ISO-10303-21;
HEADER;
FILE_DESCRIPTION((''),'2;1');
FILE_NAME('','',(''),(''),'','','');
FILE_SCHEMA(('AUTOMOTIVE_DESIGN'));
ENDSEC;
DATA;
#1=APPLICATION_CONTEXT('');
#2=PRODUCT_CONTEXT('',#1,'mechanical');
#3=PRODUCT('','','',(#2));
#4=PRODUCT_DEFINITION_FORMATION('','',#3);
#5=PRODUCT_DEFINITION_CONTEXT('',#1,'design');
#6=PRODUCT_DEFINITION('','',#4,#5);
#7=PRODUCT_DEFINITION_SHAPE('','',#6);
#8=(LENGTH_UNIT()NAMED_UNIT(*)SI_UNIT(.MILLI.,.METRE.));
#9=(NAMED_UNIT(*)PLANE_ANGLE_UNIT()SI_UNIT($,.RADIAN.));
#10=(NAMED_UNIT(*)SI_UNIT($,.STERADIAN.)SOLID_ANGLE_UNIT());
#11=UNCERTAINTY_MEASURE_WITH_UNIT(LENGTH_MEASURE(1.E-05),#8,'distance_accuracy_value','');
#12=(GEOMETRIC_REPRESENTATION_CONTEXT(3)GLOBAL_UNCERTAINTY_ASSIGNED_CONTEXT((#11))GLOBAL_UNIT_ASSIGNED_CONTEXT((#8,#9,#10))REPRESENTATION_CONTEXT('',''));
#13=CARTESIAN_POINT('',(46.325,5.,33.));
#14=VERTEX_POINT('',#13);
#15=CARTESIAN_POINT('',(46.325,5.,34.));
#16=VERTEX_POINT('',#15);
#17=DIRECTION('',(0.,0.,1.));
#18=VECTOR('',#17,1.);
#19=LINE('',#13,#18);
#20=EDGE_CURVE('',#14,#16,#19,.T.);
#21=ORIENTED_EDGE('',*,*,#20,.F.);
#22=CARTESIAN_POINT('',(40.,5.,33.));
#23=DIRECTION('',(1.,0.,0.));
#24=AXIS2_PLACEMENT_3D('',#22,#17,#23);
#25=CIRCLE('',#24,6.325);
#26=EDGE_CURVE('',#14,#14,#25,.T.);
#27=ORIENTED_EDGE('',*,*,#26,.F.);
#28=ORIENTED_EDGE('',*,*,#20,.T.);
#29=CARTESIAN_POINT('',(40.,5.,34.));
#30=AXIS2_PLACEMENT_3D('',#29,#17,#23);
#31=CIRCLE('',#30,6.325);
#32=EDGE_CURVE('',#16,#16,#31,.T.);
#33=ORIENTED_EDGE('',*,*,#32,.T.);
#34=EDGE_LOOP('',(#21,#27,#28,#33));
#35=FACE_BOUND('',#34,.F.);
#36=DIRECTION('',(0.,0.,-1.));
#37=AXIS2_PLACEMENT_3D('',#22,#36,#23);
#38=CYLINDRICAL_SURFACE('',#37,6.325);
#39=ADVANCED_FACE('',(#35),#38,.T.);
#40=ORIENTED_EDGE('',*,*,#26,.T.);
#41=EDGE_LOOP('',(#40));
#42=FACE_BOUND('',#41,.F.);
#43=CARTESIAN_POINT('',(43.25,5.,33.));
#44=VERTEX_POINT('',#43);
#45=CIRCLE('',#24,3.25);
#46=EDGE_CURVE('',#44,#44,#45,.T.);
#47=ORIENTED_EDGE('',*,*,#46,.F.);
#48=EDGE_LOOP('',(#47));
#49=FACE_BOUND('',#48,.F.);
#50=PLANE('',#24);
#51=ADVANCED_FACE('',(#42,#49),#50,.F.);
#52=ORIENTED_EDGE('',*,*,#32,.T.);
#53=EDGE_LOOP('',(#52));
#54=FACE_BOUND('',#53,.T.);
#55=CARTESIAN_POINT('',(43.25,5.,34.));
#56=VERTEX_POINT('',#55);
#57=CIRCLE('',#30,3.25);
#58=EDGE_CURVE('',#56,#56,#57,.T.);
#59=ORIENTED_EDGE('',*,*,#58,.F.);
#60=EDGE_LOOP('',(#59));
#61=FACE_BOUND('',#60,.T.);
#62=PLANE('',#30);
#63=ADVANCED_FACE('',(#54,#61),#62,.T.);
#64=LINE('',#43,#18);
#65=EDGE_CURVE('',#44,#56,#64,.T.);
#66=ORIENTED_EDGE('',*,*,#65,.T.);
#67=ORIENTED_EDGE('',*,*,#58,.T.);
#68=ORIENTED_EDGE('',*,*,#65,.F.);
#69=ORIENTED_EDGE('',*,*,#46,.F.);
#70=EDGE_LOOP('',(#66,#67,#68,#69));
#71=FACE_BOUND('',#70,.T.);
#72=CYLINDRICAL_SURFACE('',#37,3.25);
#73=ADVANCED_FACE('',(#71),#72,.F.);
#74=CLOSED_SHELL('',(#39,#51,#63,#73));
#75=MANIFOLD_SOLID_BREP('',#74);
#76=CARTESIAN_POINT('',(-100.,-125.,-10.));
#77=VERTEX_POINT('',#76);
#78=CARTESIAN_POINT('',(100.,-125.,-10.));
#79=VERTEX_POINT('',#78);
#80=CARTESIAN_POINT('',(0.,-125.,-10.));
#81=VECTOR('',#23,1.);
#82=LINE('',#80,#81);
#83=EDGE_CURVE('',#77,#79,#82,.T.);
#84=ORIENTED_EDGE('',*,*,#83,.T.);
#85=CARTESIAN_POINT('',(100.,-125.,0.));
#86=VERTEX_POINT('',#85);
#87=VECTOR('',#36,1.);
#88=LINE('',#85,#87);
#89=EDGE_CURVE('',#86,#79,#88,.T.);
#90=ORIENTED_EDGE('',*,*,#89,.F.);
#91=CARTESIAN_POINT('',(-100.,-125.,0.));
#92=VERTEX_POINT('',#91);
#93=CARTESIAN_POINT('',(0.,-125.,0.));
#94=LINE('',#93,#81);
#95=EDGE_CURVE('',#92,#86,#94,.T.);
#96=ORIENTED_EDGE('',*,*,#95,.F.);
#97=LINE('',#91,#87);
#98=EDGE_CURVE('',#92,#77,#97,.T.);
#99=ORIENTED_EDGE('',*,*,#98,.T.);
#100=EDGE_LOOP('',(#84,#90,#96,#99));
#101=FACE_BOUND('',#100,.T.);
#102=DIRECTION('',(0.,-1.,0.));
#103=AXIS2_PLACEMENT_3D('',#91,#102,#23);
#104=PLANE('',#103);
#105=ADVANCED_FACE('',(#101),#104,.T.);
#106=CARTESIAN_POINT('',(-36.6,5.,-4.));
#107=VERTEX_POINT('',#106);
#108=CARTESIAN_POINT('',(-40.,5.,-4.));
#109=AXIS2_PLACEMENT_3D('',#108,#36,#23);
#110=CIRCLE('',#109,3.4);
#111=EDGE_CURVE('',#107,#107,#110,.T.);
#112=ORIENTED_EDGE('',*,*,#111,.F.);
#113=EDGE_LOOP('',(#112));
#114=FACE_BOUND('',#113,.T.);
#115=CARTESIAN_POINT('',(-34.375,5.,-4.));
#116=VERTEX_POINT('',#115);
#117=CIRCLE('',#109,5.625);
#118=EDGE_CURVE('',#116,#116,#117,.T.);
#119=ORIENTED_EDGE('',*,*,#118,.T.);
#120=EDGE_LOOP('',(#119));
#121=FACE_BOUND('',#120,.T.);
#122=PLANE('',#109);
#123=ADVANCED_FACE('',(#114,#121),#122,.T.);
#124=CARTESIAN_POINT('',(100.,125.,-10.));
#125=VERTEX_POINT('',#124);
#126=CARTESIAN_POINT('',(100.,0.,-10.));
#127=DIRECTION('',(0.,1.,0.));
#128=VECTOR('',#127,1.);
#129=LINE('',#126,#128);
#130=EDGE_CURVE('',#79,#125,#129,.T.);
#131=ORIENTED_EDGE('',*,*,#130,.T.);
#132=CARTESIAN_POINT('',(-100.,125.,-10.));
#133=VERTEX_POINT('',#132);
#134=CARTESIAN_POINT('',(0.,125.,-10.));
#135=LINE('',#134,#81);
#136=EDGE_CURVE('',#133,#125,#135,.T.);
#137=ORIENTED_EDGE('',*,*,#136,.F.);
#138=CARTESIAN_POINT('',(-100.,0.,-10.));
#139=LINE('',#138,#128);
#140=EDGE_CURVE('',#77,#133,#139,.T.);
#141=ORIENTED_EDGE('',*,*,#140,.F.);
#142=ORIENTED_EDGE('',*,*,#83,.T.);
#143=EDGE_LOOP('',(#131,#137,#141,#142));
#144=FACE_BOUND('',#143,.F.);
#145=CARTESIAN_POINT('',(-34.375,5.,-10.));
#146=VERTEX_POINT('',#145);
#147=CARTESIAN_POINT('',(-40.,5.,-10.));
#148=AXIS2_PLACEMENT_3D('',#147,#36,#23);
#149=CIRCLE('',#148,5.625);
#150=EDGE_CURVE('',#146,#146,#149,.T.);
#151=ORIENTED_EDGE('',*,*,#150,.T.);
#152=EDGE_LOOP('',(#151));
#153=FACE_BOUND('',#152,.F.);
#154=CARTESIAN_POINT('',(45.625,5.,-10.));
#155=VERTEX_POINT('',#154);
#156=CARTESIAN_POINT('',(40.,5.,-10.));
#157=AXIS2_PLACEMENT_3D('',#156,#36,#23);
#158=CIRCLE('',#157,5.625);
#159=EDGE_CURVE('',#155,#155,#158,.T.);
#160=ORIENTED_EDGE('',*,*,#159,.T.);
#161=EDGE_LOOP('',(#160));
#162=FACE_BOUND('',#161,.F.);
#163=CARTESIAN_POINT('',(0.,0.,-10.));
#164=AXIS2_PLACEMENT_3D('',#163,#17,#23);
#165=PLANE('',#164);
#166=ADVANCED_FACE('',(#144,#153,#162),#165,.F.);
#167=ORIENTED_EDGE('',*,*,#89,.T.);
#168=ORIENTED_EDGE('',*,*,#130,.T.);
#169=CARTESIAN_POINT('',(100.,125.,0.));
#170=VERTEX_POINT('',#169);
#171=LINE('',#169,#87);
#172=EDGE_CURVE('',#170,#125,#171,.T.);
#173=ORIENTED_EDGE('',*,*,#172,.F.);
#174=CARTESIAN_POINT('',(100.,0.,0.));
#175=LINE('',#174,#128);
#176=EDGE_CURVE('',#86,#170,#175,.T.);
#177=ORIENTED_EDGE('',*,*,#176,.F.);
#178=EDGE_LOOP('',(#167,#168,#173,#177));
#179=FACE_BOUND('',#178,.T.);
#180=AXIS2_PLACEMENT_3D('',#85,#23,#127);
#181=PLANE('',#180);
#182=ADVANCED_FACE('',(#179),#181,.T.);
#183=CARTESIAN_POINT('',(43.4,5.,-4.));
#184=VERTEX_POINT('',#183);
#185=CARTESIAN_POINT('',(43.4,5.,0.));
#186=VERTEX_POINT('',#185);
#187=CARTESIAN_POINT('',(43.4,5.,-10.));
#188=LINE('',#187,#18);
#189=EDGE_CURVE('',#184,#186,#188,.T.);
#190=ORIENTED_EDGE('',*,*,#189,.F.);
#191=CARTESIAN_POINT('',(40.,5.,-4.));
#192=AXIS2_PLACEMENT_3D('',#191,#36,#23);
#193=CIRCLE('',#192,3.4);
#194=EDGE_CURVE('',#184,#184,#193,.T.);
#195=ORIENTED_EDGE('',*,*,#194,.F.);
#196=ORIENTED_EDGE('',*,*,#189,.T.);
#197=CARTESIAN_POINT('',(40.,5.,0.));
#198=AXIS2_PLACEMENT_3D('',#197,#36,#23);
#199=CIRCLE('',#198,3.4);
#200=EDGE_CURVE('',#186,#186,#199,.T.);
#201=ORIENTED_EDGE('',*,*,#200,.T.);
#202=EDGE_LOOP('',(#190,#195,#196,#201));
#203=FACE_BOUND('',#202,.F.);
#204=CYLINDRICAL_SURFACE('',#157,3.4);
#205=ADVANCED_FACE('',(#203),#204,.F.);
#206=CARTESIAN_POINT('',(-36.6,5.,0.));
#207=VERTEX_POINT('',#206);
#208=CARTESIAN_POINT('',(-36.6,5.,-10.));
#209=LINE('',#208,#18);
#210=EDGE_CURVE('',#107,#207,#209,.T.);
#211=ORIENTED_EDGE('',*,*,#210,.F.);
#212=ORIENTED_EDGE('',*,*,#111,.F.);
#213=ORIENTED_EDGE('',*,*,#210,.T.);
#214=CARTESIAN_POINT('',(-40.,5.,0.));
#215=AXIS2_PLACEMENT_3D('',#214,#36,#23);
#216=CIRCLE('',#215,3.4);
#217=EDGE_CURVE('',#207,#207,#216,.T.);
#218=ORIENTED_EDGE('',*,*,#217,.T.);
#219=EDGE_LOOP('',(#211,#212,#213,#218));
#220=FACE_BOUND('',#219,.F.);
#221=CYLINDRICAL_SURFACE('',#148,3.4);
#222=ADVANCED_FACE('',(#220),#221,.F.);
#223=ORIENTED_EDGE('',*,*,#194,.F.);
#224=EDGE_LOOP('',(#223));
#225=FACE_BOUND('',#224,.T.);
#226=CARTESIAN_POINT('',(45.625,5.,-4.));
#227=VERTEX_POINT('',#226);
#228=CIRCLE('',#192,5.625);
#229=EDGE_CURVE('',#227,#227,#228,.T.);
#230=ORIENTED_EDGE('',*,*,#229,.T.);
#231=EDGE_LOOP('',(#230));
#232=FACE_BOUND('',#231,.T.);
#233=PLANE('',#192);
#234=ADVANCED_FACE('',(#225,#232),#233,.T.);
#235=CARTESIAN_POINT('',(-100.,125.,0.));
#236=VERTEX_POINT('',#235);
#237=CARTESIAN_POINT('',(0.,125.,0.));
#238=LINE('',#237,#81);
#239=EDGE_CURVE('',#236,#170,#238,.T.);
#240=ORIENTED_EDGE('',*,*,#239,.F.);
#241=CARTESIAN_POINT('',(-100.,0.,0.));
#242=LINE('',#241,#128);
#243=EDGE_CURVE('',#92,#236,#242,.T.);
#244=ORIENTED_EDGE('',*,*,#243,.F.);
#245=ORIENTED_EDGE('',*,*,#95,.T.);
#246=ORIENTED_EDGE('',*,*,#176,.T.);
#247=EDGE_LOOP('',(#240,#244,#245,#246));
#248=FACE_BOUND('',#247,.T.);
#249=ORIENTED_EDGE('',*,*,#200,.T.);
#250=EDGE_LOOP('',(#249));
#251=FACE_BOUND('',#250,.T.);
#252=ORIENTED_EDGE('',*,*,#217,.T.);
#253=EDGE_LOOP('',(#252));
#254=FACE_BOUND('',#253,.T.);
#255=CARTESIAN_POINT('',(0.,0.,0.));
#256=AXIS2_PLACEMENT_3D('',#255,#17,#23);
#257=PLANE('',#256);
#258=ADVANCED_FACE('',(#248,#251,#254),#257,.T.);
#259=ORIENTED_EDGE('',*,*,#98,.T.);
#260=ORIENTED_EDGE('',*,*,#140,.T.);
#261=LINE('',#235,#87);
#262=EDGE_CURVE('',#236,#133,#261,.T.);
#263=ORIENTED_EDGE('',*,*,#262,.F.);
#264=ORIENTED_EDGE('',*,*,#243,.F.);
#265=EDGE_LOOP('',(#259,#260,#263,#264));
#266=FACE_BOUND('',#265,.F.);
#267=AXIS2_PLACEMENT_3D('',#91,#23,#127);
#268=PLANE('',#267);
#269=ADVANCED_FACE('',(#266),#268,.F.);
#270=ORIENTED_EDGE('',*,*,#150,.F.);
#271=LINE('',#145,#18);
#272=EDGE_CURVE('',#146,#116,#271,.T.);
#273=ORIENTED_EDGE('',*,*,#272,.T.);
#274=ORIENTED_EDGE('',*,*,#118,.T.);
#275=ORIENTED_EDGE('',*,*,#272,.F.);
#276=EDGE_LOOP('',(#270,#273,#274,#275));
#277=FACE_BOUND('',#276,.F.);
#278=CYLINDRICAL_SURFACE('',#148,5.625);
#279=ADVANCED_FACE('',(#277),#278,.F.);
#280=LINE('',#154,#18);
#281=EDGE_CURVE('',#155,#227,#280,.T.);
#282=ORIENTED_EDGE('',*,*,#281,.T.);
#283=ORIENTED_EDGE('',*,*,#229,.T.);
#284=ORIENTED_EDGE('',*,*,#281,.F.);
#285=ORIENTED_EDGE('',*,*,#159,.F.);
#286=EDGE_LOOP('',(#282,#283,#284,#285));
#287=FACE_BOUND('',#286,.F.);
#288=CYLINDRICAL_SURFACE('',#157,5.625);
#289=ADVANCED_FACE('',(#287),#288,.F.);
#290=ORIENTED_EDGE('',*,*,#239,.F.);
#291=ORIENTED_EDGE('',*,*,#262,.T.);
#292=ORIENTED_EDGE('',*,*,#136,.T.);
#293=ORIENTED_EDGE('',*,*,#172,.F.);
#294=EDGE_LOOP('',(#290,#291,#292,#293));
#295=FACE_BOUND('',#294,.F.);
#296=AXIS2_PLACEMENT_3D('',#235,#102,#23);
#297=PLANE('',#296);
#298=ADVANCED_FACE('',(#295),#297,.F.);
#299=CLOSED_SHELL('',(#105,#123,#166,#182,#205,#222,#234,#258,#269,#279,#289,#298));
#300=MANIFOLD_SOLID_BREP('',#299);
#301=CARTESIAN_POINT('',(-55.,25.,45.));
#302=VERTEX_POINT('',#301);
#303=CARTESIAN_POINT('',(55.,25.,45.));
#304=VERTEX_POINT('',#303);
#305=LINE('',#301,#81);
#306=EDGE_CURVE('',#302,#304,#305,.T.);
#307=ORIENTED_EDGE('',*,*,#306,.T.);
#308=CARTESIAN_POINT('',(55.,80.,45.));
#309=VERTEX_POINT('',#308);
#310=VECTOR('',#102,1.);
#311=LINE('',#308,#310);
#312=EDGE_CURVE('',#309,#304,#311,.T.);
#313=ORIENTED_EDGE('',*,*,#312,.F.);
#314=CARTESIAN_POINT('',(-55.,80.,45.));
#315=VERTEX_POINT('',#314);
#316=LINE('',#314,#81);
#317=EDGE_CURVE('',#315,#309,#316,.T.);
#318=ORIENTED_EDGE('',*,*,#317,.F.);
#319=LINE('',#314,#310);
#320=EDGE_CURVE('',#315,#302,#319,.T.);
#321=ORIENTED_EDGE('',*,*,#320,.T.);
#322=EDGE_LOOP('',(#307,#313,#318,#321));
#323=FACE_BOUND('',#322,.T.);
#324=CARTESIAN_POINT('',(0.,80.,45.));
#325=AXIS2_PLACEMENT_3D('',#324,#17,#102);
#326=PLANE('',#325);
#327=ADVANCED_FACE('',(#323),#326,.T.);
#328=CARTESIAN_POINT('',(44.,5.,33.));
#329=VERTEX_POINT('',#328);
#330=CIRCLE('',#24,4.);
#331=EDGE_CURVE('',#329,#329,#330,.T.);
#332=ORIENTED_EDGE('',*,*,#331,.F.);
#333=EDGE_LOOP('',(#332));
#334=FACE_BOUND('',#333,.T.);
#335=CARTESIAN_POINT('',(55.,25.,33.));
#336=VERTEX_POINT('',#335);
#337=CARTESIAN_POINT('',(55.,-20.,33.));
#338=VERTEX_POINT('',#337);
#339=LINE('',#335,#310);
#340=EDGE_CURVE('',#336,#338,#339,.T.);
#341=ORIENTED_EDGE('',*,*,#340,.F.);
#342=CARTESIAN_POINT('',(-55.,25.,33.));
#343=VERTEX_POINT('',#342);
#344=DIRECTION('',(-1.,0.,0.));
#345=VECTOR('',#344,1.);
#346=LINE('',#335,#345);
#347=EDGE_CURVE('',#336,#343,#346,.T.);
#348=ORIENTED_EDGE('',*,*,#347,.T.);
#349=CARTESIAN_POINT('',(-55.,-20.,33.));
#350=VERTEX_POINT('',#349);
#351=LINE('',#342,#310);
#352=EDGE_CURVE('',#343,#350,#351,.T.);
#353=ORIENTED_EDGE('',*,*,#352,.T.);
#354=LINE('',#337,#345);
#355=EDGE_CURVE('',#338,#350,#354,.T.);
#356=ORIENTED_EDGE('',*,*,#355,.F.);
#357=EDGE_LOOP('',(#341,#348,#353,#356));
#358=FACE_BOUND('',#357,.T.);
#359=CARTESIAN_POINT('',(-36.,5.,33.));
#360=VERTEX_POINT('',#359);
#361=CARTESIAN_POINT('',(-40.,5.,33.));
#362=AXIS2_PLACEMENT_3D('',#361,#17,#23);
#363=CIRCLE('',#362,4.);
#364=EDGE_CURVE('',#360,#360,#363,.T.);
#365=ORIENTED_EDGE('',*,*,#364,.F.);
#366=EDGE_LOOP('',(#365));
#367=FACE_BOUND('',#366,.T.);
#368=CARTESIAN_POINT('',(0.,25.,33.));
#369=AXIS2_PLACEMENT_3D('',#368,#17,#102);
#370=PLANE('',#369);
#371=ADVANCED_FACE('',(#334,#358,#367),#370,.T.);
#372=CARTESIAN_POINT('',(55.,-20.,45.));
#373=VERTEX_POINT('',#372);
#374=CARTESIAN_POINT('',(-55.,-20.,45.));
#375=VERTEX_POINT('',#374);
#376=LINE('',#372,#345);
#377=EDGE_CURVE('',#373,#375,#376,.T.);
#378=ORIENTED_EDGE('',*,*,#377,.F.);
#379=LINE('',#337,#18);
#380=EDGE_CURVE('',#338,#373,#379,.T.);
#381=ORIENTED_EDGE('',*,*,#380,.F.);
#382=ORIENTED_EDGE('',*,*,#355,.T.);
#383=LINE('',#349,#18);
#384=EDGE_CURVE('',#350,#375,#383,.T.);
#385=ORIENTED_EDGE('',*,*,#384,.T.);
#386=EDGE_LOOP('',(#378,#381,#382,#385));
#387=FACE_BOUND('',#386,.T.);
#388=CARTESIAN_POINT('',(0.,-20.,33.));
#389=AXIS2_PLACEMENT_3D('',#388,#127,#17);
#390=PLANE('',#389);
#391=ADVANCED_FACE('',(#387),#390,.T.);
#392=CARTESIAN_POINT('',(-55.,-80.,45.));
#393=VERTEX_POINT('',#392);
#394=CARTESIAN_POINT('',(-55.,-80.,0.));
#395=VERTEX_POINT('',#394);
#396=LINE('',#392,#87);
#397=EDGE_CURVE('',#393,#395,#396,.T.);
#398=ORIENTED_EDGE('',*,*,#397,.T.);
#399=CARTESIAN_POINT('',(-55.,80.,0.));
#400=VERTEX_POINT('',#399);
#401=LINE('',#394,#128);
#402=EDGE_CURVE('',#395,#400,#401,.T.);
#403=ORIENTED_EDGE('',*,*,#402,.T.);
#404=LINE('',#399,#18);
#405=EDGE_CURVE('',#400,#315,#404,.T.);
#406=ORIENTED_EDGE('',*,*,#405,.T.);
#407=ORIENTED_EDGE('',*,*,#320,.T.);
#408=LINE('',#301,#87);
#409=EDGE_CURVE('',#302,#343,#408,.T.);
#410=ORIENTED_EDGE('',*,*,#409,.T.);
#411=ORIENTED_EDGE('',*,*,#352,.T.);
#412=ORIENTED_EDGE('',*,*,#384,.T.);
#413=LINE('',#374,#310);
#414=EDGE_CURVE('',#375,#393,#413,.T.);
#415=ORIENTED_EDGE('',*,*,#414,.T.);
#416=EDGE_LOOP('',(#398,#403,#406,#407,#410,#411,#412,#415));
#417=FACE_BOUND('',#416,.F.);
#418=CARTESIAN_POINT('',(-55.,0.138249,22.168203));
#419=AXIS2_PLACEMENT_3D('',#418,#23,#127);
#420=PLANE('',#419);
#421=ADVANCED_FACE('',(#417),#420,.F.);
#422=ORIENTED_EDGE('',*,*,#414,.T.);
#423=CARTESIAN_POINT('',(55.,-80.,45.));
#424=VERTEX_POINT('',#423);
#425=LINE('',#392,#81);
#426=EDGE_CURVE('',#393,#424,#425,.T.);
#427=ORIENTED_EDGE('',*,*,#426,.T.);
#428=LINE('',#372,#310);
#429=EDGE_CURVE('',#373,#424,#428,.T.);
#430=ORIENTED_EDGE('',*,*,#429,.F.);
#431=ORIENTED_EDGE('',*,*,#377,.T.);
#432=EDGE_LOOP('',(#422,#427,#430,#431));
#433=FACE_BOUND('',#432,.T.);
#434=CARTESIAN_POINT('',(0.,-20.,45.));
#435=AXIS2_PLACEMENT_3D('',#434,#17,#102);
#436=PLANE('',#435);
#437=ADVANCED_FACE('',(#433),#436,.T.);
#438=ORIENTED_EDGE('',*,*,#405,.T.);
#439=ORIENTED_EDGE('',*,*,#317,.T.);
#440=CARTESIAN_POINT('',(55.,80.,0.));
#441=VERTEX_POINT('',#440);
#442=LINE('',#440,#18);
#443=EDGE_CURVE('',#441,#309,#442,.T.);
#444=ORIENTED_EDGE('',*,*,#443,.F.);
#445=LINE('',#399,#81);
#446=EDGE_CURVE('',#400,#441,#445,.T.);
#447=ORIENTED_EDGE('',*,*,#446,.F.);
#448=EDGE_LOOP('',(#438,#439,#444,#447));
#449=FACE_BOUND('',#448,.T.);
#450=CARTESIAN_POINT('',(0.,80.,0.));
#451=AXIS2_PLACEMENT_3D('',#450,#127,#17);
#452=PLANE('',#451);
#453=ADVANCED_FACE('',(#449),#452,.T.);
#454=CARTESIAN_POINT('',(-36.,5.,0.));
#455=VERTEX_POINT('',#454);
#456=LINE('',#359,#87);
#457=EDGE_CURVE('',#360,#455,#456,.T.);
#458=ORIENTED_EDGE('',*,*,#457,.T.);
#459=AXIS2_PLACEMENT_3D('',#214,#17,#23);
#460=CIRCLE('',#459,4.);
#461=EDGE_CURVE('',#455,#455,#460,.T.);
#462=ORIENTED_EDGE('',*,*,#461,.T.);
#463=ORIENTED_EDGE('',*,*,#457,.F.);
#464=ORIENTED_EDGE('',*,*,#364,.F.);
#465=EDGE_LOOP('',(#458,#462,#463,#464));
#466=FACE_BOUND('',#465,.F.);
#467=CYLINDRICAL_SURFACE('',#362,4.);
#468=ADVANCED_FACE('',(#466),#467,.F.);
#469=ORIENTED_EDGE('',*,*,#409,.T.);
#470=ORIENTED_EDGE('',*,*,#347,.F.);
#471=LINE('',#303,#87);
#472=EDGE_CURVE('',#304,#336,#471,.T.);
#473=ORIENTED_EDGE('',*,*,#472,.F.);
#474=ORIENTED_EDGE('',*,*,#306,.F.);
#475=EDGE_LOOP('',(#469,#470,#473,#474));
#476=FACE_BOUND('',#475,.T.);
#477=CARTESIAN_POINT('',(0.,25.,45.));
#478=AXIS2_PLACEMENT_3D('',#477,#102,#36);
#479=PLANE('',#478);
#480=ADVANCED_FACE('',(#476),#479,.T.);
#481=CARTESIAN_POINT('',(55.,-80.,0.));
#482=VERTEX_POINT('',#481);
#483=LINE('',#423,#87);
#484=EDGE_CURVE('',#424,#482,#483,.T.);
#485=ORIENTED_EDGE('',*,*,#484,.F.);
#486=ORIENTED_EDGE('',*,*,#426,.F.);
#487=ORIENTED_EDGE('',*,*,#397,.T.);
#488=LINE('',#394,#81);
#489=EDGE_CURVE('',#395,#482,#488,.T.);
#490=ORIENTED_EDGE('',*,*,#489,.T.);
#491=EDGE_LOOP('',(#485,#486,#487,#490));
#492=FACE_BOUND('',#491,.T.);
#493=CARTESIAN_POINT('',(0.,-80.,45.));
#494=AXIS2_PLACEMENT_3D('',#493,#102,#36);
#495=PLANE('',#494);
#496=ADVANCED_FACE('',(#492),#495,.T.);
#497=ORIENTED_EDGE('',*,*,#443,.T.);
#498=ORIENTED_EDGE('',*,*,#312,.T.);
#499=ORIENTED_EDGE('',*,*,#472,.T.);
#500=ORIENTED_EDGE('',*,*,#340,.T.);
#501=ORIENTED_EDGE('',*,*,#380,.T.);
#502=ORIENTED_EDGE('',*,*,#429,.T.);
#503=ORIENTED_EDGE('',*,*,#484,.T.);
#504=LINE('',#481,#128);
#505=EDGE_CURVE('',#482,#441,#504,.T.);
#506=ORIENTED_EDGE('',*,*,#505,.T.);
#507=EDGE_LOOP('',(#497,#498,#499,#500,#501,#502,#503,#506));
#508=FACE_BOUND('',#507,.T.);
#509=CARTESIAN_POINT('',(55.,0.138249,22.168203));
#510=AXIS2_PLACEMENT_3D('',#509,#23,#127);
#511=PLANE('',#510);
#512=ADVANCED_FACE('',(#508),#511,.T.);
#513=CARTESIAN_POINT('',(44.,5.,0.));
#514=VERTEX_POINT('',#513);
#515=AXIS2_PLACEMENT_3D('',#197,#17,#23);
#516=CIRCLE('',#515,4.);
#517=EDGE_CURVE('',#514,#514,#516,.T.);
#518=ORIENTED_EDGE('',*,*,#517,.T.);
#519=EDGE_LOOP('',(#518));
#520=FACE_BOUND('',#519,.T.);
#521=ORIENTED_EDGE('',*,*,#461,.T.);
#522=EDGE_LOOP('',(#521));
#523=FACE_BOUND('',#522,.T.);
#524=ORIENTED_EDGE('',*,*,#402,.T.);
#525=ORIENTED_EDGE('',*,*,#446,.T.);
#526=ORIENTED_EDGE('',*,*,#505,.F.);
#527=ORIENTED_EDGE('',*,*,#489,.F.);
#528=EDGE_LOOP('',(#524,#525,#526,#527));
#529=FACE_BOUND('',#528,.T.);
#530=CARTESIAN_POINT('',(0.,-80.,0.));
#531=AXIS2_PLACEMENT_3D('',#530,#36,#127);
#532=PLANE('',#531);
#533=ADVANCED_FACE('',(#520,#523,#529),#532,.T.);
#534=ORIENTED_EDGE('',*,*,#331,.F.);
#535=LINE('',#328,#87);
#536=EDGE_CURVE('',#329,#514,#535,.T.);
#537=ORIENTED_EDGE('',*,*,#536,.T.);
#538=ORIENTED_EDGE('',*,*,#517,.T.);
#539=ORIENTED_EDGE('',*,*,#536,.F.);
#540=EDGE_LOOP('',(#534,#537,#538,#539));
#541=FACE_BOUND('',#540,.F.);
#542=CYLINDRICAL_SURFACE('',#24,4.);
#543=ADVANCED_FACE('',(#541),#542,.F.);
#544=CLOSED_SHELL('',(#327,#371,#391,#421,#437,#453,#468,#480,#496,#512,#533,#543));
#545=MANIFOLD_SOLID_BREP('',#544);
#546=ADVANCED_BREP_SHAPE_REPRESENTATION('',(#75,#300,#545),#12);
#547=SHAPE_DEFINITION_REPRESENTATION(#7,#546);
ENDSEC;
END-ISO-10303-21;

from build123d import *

# Parameters (mm, degrees)
F1_DEPTH  = 55
F2_R      = 4
F3_DEPTH  = 33.001
F4_W      = 200
F4_H      = 250
F5_DEPTH  = 10
F6_R      = 3.4
F8_DEPTH  = 10
F7_R      = 5.625
F9_DEPTH  = 6
F10_R     = 6.325
F10_R_2   = 3.25
F11_DEPTH = 1


with BuildPart() as f1:
    # F0 (on Right) → F1 (new body, symmetric)
    with BuildSketch(Plane.YZ):
        Polygon((-20, 45), (-80, 45), (-80, 0), (80, 0), (80, 45), (25, 45), (25, 33), (-20, 33), align=None)
    extrude(amount=F1_DEPTH, both=True)

    # F2 (on face) → F3 (cut, through all)
    with BuildSketch(Plane.XY.offset(33)):
        with Locations((-40, 5)):
            Circle(F2_R)
        with Locations((40, 5)):
            Circle(F2_R)
    extrude(amount=-F3_DEPTH, mode=Mode.SUBTRACT)


with BuildPart() as f5:
    # F4 (on Top) → F5 (new body)
    with BuildSketch(Plane.XY):
        Rectangle(F4_W, F4_H)
    extrude(amount=-F5_DEPTH)

    # F6 (on face) → F8 (cut, through all)
    with BuildSketch(Plane(origin=(0, 0, -10), x_dir=(1, 0, 0), z_dir=(0, 0, -1))):
        with Locations((-40, -5)):
            Circle(F6_R)
        with Locations((40, -5)):
            Circle(F6_R)
    extrude(amount=-F8_DEPTH, mode=Mode.SUBTRACT)

    # F7 (on face) → F9 (cut)
    with BuildSketch(Plane(origin=(0, 0, -10), x_dir=(1, 0, 0), z_dir=(0, 0, -1))):
        with Locations((-40, -5)):
            Circle(F7_R)
        with Locations((40, -5)):
            Circle(F7_R)
    extrude(amount=-F9_DEPTH, mode=Mode.SUBTRACT)


with BuildPart() as f11:
    # F10 (on face) → F11 (new body)
    with BuildSketch(Plane.XY.offset(33)):
        with Locations((40, 5)):
            Circle(F10_R)
        with Locations((40, 5)):
            Circle(F10_R_2, mode=Mode.SUBTRACT)
    extrude(amount=F11_DEPTH)


solid = Compound([f1.part, f5.part, f11.part])
